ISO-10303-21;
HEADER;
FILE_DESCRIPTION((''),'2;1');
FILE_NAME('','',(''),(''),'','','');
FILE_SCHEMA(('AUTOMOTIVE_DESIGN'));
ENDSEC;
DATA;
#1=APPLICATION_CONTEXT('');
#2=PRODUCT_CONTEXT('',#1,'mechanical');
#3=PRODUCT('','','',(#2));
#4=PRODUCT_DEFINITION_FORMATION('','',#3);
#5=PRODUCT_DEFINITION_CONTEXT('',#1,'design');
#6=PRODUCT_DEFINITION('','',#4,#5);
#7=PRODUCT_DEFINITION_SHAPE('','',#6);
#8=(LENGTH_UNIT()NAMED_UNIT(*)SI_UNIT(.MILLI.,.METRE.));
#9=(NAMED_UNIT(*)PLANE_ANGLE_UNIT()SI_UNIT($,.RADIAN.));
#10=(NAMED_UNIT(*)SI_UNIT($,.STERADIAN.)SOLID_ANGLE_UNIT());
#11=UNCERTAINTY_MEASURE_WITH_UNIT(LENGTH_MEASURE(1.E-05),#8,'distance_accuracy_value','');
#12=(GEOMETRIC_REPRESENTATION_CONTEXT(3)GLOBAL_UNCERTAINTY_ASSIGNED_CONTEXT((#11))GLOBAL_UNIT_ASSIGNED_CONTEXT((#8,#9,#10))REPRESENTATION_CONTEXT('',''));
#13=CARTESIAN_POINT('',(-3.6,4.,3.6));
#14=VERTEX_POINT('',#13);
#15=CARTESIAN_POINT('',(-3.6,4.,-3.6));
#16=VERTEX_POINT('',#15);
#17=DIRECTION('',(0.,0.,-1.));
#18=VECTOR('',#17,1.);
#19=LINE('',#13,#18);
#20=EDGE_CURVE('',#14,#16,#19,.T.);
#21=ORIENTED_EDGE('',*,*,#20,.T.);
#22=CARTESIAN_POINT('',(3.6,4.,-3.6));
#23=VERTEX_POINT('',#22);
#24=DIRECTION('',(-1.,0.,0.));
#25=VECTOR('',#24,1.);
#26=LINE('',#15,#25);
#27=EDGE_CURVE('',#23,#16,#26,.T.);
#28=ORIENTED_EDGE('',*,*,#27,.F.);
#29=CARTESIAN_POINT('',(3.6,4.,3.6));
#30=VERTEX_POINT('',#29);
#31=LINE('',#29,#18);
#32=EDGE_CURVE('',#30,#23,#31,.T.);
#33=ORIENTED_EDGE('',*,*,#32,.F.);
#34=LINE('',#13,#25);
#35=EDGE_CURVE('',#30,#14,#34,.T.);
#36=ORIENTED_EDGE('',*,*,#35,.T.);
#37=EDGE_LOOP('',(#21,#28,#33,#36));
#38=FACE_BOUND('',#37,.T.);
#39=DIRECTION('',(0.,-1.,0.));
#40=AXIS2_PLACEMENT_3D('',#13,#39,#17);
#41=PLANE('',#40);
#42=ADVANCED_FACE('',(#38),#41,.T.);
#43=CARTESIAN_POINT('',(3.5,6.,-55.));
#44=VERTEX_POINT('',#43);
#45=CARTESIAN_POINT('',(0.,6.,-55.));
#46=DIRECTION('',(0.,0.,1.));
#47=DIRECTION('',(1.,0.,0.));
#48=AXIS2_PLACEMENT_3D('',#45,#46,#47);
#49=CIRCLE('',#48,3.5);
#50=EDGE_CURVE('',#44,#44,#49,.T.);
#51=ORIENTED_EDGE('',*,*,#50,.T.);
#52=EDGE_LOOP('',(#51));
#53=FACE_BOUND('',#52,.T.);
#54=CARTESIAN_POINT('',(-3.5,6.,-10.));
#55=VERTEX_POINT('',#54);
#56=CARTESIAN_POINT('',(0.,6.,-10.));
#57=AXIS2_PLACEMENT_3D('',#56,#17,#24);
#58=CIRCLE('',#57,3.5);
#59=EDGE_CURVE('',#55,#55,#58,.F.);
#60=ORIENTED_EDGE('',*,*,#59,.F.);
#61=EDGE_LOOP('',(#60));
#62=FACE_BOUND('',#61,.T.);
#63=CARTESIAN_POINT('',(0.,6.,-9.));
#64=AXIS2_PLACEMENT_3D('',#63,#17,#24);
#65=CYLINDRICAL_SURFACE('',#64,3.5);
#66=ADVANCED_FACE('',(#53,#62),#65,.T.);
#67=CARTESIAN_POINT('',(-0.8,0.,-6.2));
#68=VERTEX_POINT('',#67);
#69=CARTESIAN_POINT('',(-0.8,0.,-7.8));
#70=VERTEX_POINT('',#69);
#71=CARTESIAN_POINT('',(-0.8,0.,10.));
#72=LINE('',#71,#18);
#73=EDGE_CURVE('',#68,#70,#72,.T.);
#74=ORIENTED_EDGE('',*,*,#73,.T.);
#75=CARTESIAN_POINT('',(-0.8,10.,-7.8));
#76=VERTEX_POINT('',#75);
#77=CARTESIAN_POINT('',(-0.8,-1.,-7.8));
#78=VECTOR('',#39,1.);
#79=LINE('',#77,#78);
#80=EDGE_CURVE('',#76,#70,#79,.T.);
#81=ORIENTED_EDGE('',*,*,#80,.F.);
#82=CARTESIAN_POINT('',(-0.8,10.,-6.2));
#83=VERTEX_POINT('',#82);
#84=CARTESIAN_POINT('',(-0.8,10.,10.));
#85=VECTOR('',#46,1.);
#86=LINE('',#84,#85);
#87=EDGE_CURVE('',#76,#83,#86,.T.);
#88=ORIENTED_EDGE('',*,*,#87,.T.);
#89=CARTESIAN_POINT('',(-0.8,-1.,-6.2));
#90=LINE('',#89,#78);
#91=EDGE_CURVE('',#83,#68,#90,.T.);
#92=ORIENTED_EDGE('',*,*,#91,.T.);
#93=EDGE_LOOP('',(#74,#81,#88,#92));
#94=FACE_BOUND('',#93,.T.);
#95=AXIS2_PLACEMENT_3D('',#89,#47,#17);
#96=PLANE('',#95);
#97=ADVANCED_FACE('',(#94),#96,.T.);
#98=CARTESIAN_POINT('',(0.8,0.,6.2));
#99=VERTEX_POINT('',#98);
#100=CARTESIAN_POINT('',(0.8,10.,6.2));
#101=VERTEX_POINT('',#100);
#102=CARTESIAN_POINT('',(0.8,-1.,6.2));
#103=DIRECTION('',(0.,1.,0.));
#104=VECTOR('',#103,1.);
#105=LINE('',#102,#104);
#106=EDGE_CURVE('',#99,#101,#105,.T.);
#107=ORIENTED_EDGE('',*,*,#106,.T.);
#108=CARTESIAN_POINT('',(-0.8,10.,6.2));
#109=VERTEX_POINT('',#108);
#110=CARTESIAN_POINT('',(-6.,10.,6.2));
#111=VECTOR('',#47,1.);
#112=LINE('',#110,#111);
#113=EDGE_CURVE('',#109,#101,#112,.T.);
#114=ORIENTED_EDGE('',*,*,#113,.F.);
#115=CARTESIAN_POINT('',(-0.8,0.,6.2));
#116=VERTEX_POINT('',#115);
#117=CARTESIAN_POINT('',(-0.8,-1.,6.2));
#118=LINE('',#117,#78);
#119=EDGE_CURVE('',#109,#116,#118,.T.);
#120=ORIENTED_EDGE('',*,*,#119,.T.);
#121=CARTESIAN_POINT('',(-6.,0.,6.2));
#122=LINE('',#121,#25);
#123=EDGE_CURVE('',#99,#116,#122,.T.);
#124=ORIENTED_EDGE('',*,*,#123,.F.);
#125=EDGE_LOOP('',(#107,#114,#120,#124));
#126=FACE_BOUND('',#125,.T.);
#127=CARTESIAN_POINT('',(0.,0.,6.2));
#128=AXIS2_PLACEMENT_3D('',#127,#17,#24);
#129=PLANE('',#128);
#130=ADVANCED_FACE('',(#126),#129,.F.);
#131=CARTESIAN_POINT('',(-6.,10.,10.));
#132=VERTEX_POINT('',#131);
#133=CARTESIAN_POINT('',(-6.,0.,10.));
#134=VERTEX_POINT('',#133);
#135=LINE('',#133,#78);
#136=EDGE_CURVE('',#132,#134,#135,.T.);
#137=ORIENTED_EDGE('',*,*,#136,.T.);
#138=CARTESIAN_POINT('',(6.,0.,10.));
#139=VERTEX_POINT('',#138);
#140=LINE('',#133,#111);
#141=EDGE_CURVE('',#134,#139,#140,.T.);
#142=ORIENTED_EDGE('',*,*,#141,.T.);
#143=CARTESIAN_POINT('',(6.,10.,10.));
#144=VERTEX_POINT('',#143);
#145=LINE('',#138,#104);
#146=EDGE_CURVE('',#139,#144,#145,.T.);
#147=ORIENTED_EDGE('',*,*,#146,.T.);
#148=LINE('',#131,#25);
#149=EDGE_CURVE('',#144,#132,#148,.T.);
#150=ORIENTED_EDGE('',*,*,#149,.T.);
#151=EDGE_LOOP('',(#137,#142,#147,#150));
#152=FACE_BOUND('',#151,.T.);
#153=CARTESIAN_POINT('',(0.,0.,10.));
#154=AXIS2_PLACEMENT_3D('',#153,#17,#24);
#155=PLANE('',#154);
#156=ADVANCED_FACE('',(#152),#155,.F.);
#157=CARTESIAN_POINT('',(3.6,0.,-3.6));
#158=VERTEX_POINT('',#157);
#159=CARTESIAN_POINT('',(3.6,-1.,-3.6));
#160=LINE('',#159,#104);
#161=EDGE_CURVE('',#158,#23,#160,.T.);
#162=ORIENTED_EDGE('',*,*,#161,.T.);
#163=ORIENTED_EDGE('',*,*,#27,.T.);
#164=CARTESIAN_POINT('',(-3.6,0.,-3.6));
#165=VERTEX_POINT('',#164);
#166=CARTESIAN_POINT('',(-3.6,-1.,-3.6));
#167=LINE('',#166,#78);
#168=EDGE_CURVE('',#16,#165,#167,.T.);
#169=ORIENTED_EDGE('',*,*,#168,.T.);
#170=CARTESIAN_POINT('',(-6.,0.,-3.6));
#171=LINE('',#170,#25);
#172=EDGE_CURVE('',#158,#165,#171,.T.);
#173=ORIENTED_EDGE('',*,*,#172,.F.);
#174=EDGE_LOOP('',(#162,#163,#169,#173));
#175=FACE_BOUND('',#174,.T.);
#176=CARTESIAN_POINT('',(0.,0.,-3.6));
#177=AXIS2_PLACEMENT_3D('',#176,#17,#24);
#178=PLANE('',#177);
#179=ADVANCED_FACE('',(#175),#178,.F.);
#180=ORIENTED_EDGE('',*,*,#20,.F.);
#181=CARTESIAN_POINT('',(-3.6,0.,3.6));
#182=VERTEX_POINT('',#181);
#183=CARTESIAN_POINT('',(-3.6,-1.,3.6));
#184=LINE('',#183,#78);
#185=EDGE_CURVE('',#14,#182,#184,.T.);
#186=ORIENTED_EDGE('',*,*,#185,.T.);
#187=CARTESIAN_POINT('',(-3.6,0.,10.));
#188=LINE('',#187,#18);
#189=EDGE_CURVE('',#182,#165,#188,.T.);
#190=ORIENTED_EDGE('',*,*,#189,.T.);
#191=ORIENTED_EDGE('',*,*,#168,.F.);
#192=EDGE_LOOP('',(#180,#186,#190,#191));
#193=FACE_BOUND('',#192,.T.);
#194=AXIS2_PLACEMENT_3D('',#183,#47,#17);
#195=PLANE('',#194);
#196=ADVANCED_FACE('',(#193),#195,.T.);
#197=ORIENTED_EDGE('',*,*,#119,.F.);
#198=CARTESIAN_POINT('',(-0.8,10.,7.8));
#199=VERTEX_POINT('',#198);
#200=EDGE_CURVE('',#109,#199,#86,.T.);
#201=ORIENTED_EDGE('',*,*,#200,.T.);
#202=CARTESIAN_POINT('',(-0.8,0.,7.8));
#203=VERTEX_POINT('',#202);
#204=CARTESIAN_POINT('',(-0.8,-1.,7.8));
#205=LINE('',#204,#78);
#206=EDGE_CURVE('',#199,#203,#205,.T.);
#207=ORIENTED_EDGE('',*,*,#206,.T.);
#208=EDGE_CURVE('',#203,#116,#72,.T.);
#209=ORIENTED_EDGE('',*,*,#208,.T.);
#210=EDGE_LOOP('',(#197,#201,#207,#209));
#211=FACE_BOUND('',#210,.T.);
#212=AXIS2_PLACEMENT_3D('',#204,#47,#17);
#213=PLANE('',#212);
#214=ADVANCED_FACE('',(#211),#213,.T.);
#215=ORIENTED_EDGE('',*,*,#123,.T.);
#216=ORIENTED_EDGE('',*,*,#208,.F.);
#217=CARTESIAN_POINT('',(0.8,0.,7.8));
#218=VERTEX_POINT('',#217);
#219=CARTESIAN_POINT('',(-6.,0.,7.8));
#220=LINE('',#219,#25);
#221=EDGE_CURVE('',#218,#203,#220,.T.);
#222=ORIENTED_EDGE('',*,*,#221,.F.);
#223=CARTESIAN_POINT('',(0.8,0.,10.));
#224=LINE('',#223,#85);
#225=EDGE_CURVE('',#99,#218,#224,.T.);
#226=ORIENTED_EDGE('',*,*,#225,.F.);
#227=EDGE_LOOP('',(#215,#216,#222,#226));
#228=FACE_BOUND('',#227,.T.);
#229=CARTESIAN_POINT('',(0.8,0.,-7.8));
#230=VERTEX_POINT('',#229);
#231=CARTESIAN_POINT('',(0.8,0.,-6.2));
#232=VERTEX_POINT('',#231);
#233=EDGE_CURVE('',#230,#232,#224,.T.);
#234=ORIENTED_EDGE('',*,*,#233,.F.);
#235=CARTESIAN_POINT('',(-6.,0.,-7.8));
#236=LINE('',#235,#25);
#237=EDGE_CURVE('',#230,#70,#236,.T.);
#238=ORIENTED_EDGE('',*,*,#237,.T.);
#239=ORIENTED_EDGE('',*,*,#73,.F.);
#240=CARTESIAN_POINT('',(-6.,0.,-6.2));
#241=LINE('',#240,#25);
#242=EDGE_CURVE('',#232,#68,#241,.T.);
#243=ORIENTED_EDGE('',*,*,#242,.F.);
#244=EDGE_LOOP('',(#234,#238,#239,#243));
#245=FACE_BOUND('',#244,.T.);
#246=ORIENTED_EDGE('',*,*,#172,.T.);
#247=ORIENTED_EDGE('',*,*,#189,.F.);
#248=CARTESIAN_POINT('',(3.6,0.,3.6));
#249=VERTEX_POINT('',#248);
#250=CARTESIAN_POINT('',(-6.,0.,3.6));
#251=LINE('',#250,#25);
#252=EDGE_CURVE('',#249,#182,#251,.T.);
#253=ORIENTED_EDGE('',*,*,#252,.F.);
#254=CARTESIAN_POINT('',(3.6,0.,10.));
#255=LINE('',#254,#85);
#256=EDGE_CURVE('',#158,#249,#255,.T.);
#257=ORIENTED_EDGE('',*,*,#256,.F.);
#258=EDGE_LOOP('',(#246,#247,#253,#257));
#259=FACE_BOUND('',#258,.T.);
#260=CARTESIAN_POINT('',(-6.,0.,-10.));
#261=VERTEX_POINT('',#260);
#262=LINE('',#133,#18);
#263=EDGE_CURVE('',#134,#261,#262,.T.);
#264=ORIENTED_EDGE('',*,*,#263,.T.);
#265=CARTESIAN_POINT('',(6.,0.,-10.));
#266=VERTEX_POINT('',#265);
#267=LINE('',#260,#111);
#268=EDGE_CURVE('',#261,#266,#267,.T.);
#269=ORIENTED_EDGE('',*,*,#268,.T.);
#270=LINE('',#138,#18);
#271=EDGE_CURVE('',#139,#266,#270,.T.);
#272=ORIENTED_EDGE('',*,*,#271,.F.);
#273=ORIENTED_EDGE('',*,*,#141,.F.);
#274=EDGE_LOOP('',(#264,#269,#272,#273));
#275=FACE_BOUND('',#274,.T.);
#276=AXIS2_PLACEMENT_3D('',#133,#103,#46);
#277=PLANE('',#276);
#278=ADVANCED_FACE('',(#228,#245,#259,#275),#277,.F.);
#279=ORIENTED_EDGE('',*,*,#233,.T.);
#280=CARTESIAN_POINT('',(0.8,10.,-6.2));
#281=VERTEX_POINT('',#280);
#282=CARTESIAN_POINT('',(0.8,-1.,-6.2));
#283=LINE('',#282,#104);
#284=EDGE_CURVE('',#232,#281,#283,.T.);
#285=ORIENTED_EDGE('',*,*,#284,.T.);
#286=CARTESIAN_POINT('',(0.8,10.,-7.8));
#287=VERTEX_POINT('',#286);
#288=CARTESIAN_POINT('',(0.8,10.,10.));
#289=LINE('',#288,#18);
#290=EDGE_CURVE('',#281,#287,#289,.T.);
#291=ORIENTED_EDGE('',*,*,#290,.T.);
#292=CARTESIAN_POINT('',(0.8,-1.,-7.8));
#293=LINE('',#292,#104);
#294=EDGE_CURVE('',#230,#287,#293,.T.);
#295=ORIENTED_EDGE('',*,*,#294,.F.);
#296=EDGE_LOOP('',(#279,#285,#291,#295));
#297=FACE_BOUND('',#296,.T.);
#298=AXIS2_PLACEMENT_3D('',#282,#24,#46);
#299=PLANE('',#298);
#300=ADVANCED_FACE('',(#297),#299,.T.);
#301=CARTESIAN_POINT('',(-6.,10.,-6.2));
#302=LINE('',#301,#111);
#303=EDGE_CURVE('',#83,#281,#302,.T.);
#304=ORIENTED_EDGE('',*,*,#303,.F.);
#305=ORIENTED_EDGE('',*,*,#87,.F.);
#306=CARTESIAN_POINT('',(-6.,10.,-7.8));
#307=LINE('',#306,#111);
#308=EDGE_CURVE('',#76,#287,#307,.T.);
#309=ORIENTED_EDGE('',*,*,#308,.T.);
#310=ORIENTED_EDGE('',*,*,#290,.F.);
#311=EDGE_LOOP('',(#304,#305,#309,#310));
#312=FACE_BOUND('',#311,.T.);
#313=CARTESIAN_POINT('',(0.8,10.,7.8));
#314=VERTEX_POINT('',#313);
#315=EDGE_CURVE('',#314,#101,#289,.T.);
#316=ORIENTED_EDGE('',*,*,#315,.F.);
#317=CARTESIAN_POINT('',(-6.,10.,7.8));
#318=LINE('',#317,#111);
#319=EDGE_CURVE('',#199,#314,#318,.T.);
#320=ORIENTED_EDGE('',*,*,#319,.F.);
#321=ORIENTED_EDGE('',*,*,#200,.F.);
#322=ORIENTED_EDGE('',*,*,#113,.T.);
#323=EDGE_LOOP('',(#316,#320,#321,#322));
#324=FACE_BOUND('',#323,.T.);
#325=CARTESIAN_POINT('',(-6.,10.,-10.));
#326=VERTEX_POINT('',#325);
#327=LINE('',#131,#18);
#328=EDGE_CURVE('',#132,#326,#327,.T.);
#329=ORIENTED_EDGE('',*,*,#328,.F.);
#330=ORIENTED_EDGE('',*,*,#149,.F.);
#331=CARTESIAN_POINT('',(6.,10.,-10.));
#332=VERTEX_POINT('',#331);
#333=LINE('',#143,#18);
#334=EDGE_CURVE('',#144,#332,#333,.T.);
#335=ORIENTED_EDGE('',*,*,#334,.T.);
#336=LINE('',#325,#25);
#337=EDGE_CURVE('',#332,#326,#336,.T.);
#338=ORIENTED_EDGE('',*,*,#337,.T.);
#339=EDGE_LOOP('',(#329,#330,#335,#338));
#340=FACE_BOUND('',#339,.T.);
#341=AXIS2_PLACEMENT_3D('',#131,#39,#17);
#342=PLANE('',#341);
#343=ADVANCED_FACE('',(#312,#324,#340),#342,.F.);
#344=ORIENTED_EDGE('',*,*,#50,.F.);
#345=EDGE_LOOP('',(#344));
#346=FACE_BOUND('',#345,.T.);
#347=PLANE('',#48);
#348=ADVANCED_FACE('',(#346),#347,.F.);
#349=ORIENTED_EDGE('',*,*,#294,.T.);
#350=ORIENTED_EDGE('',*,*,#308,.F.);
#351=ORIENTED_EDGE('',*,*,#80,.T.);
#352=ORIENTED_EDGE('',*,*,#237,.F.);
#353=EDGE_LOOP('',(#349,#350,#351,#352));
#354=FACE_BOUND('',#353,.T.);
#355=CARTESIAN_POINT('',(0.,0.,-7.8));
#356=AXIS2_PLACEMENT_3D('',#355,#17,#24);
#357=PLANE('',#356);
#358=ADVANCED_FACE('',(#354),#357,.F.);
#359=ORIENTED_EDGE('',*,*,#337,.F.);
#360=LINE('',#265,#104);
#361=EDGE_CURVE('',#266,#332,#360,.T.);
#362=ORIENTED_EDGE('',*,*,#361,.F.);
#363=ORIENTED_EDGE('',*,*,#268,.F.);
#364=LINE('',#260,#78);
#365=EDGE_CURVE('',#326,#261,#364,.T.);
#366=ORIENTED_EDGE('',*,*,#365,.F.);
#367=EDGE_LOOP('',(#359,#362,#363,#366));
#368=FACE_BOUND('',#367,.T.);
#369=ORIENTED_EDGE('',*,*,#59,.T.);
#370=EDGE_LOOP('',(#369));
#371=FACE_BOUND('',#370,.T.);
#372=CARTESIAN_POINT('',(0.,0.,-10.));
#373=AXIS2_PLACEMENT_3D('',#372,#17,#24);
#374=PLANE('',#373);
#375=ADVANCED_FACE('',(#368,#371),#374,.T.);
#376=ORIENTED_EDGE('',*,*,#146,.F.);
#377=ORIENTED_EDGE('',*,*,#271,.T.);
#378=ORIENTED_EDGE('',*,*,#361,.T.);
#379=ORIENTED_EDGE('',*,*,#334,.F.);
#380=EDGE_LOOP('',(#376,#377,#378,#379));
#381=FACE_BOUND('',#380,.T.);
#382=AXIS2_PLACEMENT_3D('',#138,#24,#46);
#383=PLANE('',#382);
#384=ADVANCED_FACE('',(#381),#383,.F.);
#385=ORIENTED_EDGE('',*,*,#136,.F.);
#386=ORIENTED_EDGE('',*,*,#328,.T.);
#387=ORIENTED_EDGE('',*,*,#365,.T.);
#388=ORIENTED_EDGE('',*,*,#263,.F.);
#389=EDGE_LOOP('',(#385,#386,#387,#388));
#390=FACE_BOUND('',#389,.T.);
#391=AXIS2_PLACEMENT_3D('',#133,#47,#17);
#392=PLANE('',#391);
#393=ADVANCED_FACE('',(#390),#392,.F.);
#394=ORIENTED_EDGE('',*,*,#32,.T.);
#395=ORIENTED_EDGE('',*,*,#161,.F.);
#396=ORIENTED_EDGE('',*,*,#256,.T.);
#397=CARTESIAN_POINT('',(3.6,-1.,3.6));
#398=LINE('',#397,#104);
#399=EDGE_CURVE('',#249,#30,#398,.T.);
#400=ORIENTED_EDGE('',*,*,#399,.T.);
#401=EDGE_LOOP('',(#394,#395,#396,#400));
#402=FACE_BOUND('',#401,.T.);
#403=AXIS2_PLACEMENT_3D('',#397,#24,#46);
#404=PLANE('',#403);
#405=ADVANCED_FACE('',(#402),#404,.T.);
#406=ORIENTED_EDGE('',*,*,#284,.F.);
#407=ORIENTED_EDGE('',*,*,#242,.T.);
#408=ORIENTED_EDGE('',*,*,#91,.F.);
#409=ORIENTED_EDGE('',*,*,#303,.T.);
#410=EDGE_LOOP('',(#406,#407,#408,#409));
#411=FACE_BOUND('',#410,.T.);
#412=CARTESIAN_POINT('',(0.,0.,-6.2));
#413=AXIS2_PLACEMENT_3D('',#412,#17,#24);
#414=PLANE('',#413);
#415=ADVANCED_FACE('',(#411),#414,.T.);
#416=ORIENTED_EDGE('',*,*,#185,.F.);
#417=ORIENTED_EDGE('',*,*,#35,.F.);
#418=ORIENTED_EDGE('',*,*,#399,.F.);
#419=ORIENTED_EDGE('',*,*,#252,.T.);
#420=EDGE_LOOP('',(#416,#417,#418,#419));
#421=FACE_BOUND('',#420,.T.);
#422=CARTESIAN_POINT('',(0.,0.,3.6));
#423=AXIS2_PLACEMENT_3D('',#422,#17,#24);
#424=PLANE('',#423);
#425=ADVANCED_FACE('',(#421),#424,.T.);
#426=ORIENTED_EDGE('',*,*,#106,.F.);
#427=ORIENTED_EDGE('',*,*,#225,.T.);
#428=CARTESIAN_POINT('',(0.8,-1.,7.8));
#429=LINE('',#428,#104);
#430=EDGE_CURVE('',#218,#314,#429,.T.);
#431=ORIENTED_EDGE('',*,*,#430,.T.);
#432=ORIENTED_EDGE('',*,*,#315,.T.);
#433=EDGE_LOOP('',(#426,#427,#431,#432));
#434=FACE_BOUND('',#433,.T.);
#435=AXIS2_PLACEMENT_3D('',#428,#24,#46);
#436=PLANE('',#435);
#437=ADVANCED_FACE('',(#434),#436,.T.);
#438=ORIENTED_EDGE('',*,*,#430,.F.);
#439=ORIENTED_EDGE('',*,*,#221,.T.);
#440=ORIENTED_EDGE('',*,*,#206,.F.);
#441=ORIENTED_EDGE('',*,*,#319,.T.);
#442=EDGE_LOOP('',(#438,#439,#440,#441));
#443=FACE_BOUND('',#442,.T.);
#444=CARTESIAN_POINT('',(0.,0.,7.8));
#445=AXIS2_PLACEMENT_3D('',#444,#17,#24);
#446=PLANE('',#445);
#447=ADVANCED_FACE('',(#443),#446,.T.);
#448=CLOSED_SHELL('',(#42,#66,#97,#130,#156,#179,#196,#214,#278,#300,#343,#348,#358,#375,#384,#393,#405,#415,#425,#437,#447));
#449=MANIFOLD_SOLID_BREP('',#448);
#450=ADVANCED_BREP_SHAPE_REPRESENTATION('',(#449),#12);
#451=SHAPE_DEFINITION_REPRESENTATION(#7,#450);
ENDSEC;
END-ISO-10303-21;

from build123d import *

# Parameters (mm, degrees)
BOSS_EXTRUDE1_START = -10
SKETCH1_W           = 12
SKETCH1_H           = 10
BOSS_EXTRUDE1_DEPTH = 20
BOSS_EXTRUDE2_START = -3.6
SKETCH2_W           = 7.2
SKETCH2_H           = 5
BOSS_EXTRUDE2_DEPTH = 7.2
BOSS_EXTRUDE3_START = -7.8
SKETCH3_W           = 1.6
SKETCH3_H           = 12
BOSS_EXTRUDE3_DEPTH = 1.6
BOSS_EXTRUDE4_START = 6.2
SKETCH4_W           = 1.6
SKETCH4_H           = 12
BOSS_EXTRUDE4_DEPTH = 1.6
BOSS_EXTRUDE5_START = -55
SKETCH5_R           = 3.5
BOSS_EXTRUDE5_DEPTH = 46


with BuildPart() as part:
    # Sketch1 → Boss-Extrude1 (new body)
    with BuildSketch(Plane.XY.offset(BOSS_EXTRUDE1_START)):
        with Locations((0, 5)):
            Rectangle(SKETCH1_W, SKETCH1_H)
    extrude(amount=BOSS_EXTRUDE1_DEPTH)


with BuildPart() as body_2:
    # Sketch2 → Boss-Extrude2 (new body)
    with BuildSketch(Plane.XY.offset(BOSS_EXTRUDE2_START)):
        with Locations((0, 1.5)):
            Rectangle(SKETCH2_W, SKETCH2_H)
    extrude(amount=BOSS_EXTRUDE2_DEPTH)


with BuildPart() as part_1:
    add(part.part)

    # Combine1: cut body 2
    add(body_2.part, mode=Mode.SUBTRACT)


with BuildPart() as body_2_2:
    # Sketch3 → Boss-Extrude3 (new body)
    with BuildSketch(Plane.XY.offset(BOSS_EXTRUDE3_START)):
        with Locations((0, 5)):
            Rectangle(SKETCH3_W, SKETCH3_H)
    extrude(amount=BOSS_EXTRUDE3_DEPTH)


with BuildPart() as part_2:
    add(part_1.part)

    # Combine2: cut body 2 2
    add(body_2_2.part, mode=Mode.SUBTRACT)


with BuildPart() as body_2_3:
    # Sketch4 → Boss-Extrude4 (new body)
    with BuildSketch(Plane.XY.offset(BOSS_EXTRUDE4_START)):
        with Locations((0, 5)):
            Rectangle(SKETCH4_W, SKETCH4_H)
    extrude(amount=BOSS_EXTRUDE4_DEPTH)


with BuildPart() as part_3:
    add(part_2.part)

    # Combine3: cut body 2 3
    add(body_2_3.part, mode=Mode.SUBTRACT)

    # Sketch5 → Boss-Extrude5 (add)
    with BuildSketch(Plane.XY.offset(BOSS_EXTRUDE5_START)):
        with Locations((0, 6)):
            Circle(SKETCH5_R)
    extrude(amount=BOSS_EXTRUDE5_DEPTH)


solid = part_3.part
